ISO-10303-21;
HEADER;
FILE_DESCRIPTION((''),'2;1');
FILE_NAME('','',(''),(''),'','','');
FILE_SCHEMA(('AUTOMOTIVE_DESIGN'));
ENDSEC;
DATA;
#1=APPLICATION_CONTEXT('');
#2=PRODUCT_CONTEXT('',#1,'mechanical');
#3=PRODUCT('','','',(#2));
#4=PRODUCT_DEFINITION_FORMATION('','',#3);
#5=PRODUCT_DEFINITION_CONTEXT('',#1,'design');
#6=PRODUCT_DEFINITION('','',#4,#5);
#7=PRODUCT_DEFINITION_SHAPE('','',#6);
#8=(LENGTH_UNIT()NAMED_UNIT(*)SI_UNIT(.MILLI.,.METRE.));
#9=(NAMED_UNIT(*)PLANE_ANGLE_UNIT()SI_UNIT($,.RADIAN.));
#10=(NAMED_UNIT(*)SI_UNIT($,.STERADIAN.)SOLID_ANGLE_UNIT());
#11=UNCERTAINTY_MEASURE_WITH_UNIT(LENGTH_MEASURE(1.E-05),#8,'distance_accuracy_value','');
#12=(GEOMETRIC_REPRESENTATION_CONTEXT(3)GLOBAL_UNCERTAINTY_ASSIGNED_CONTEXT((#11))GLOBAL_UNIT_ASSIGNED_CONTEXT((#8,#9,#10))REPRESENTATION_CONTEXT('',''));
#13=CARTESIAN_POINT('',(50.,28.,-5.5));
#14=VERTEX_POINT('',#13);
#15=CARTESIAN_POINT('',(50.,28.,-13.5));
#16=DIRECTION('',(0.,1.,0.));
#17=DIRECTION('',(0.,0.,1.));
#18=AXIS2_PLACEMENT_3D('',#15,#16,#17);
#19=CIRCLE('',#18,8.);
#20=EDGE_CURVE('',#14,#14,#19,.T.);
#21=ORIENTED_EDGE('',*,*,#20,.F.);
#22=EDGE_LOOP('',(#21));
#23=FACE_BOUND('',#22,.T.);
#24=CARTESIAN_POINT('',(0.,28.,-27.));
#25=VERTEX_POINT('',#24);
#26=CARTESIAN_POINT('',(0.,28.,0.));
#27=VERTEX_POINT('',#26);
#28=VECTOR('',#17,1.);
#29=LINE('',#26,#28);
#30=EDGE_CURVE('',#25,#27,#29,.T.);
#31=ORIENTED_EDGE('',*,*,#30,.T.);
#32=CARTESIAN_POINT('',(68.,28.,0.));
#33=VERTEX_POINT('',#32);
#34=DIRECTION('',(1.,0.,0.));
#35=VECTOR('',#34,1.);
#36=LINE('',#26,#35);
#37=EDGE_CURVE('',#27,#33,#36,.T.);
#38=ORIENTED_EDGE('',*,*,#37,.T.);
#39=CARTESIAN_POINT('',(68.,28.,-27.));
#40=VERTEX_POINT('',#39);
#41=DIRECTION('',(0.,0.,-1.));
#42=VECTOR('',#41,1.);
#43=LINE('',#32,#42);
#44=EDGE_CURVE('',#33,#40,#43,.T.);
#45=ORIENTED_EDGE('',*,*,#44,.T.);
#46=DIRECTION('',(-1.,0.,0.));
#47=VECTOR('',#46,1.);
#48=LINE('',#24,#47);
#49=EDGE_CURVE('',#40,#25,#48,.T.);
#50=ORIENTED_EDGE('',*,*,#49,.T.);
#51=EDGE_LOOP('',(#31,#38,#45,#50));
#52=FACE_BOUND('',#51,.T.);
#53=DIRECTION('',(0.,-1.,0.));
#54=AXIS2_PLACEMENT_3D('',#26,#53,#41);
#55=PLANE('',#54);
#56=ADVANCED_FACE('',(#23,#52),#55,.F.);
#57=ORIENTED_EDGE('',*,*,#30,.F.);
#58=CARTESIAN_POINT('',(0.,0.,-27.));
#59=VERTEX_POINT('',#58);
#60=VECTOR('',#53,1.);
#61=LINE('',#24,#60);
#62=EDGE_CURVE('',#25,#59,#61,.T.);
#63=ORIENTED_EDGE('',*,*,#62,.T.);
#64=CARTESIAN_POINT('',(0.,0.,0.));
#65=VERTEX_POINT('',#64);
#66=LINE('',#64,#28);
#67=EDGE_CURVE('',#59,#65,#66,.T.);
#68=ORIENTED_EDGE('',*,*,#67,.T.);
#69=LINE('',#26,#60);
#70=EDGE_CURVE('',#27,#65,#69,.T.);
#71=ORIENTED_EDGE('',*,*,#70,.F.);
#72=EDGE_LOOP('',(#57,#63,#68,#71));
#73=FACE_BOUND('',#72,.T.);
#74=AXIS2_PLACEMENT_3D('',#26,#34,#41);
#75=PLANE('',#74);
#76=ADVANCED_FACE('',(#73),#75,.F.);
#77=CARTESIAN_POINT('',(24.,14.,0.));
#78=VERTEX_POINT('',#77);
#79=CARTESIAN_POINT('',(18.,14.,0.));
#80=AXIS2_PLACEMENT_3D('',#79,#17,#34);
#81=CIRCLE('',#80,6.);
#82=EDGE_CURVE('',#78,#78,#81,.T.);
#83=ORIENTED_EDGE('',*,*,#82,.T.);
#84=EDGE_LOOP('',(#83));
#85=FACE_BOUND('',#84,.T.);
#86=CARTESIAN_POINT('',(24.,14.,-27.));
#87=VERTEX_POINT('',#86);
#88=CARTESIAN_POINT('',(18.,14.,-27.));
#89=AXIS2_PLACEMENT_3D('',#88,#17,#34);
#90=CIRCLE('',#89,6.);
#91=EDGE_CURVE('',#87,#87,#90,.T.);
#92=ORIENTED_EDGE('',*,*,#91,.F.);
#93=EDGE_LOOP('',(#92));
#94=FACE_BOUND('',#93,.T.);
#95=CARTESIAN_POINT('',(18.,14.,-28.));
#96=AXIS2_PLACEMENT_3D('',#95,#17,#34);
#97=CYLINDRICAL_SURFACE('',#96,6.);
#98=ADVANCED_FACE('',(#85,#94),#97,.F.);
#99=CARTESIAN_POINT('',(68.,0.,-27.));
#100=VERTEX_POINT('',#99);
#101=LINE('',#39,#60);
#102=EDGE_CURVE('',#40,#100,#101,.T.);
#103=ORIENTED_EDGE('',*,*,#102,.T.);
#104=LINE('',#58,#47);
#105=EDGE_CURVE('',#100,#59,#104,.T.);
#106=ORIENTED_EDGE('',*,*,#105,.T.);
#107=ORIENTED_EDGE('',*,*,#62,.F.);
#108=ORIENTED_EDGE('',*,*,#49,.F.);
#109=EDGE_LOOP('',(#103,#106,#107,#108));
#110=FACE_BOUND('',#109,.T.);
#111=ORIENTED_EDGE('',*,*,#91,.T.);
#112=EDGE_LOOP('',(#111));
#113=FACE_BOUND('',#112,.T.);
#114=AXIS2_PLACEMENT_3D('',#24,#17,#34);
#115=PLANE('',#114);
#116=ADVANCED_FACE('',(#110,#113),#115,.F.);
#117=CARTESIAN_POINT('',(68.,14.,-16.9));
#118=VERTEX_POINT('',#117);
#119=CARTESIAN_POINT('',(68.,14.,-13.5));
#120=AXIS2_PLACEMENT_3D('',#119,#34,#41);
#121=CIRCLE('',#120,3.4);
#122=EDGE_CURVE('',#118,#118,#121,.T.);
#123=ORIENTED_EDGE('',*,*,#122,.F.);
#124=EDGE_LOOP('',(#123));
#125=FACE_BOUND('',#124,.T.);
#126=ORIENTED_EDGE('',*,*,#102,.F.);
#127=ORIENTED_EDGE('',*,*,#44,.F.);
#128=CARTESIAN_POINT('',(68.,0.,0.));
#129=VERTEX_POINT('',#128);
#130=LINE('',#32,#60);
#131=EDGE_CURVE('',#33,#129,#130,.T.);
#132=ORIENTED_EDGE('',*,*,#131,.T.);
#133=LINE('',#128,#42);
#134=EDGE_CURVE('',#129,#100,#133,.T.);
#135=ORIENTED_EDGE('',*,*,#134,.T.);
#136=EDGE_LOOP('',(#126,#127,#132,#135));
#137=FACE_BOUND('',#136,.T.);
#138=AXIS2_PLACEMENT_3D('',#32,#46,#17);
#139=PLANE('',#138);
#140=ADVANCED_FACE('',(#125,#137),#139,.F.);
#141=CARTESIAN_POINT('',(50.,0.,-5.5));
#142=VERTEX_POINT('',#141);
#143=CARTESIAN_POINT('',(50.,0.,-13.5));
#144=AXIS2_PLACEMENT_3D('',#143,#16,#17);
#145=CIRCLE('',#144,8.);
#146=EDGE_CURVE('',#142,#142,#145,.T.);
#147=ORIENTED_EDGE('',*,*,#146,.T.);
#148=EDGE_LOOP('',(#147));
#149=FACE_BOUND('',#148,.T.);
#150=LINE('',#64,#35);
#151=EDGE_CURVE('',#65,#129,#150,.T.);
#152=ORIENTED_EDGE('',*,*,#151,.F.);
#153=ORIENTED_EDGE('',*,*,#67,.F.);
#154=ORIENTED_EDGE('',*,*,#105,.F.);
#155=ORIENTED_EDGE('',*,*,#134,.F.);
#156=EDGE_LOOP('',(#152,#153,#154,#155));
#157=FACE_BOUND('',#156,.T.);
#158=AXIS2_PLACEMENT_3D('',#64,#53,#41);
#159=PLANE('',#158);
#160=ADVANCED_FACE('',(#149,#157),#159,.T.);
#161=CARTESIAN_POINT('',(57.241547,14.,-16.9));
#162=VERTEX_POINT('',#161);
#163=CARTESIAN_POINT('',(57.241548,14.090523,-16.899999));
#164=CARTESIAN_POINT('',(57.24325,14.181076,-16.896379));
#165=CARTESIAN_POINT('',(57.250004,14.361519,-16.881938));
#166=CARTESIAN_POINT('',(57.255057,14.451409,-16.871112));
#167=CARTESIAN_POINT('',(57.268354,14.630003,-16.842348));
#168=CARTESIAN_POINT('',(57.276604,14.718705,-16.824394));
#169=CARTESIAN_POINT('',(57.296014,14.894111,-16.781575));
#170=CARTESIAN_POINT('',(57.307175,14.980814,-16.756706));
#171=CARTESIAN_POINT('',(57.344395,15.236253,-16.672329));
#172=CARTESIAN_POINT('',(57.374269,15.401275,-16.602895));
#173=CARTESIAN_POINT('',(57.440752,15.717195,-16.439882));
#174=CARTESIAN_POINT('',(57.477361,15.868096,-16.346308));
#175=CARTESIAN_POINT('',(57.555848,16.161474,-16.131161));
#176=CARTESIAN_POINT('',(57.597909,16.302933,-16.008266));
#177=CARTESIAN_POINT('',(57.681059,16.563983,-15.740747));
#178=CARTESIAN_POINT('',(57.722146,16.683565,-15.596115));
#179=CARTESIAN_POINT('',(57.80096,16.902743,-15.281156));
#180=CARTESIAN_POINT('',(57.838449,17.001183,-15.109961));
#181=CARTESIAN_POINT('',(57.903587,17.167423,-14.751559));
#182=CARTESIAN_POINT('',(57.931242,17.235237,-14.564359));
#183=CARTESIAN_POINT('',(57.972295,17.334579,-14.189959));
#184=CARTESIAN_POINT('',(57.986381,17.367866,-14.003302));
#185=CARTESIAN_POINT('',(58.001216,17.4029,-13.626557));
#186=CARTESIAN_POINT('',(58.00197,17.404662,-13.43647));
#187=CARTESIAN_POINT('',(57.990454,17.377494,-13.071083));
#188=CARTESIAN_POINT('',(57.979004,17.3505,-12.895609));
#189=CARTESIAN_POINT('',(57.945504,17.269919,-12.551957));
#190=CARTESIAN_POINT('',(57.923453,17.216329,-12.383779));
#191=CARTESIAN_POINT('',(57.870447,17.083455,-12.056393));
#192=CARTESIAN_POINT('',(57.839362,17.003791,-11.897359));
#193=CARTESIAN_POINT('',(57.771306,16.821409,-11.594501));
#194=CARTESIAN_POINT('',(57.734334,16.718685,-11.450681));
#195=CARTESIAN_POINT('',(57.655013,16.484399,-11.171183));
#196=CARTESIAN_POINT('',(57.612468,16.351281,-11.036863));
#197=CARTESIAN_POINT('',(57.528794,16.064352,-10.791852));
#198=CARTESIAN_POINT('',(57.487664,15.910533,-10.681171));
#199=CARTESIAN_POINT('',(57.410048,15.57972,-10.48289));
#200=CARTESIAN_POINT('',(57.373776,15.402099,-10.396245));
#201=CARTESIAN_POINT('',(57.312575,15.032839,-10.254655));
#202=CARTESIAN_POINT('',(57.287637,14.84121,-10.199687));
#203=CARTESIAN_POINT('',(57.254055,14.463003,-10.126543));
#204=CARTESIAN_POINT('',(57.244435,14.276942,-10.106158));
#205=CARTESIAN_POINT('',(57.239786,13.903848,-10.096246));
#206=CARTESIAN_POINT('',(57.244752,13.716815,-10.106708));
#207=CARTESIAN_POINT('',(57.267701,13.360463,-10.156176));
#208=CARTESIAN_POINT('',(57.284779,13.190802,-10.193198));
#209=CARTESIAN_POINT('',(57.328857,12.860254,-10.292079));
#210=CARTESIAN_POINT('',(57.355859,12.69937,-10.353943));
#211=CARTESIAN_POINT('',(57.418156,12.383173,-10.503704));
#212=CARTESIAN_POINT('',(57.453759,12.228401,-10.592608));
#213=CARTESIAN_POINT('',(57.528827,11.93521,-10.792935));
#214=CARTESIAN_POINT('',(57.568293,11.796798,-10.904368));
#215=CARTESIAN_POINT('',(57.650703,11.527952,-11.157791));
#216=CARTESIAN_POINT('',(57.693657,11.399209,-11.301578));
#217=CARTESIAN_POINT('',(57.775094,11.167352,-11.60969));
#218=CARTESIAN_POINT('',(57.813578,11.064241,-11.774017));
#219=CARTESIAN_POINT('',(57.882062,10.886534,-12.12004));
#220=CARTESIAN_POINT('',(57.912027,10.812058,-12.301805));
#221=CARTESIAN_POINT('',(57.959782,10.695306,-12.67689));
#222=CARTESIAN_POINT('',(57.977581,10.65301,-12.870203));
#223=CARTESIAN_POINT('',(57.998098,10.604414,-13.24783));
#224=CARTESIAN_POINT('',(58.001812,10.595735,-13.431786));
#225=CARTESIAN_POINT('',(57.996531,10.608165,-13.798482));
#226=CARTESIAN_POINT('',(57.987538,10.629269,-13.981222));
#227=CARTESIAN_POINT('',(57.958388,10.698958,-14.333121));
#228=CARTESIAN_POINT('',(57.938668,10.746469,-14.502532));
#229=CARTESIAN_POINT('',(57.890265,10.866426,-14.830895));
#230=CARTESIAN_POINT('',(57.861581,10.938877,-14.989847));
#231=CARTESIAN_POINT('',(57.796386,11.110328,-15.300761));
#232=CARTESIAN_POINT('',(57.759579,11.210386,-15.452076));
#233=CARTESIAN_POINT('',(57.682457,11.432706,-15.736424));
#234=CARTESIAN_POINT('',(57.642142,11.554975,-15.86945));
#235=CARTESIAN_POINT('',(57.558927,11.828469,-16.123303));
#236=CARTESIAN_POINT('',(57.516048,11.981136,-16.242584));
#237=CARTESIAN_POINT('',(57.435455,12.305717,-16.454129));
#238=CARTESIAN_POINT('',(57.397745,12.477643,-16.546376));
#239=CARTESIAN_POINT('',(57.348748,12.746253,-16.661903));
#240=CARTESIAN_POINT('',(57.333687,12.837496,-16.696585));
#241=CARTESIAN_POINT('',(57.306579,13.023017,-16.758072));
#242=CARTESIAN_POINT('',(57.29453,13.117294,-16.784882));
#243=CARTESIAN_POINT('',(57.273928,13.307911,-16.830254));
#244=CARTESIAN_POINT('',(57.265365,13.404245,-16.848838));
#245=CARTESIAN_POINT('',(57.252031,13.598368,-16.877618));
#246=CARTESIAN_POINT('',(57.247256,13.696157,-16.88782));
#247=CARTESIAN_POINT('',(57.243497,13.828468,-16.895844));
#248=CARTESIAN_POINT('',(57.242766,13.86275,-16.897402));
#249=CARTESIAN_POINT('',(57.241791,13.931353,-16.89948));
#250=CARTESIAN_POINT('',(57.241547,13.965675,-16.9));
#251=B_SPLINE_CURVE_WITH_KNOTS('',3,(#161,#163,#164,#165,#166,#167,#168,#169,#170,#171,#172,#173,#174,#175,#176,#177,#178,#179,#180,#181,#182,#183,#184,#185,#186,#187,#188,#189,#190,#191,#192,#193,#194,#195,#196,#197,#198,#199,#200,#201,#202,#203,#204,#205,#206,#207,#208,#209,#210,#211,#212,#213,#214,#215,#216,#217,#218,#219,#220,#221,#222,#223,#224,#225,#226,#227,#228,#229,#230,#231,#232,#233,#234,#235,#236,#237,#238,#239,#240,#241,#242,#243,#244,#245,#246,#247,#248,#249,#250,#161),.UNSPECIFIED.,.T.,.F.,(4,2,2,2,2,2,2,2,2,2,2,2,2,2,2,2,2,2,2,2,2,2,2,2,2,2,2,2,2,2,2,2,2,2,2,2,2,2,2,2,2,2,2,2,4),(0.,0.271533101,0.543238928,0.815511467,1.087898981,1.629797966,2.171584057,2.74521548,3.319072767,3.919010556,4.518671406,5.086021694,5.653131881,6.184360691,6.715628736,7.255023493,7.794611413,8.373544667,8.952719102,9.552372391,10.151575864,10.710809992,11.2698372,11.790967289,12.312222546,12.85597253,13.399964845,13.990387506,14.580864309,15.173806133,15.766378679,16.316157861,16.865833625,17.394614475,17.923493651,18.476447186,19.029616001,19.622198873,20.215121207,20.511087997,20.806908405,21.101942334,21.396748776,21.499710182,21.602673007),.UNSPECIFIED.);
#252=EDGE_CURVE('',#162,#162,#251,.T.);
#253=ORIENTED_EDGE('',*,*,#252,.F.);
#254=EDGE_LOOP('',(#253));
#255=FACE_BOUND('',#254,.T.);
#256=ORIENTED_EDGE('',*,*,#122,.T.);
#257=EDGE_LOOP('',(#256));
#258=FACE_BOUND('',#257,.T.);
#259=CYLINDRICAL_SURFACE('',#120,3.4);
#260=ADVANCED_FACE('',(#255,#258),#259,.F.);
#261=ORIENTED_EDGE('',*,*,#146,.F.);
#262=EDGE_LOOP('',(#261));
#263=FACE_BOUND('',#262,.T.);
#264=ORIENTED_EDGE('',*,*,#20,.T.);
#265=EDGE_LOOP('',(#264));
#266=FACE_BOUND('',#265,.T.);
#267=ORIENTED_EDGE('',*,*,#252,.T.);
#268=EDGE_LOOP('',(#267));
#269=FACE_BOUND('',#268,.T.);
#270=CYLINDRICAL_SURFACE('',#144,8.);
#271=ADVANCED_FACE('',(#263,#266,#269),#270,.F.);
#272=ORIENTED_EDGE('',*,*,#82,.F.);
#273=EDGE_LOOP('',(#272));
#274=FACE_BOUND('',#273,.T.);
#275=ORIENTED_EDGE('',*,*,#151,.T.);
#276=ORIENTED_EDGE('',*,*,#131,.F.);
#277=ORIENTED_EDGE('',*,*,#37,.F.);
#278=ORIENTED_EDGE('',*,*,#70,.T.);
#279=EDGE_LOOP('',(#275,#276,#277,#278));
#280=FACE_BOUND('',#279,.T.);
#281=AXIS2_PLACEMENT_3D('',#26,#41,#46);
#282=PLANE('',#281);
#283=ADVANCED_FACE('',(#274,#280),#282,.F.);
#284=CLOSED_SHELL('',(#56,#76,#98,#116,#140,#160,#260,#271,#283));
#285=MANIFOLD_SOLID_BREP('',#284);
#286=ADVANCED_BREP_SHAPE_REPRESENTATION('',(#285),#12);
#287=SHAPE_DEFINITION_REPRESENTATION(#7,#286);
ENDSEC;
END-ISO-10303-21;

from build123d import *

# Parameters (mm, degrees)
SKETCH1_W             = 68
SKETCH1_H             = 27
BOSS_EXTRUDE1_DEPTH   = 28
SKETCH2_R             = 6
CUT_EXTRUDE1_DEPTH    = 28
SKETCH3_R             = 8
CUT_EXTRUDE2_DEPTH    = 28
M8_TAPPED_HOLE1_D     = 6.8
M8_TAPPED_HOLE1_DEPTH = 15


with BuildPart() as part:
    # Sketch1 → Boss-Extrude1 (new body)
    with BuildSketch(Plane(origin=(0, 0, 0), x_dir=(1, 0, 0), z_dir=(0, 1, 0))):
        with Locations((34, 13.5)):
            Rectangle(SKETCH1_W, SKETCH1_H)
    extrude(amount=BOSS_EXTRUDE1_DEPTH)

    # Sketch2 → Cut-Extrude1 (cut)
    with BuildSketch(Plane.XY):
        with Locations((18, 14)):
            Circle(SKETCH2_R)
    extrude(amount=-CUT_EXTRUDE1_DEPTH, mode=Mode.SUBTRACT)

    # Sketch3 → Cut-Extrude2 (cut)
    with BuildSketch(Plane(origin=(0, 28, 0), x_dir=(1, 0, 0), z_dir=(0, 1, 0))):
        with Locations(Location((50, 13.5, 0), (0, 0, 270))):
            Circle(SKETCH3_R)
    extrude(amount=-CUT_EXTRUDE2_DEPTH, mode=Mode.SUBTRACT)

    # M8 Tapped Hole1
    with Locations(Plane(origin=(68, 0, 0), x_dir=(0, 0, -1), z_dir=(1, 0, 0))):
        with Locations((13.5, 14)):
            Hole(M8_TAPPED_HOLE1_D / 2, depth=M8_TAPPED_HOLE1_DEPTH)


solid = part.part
